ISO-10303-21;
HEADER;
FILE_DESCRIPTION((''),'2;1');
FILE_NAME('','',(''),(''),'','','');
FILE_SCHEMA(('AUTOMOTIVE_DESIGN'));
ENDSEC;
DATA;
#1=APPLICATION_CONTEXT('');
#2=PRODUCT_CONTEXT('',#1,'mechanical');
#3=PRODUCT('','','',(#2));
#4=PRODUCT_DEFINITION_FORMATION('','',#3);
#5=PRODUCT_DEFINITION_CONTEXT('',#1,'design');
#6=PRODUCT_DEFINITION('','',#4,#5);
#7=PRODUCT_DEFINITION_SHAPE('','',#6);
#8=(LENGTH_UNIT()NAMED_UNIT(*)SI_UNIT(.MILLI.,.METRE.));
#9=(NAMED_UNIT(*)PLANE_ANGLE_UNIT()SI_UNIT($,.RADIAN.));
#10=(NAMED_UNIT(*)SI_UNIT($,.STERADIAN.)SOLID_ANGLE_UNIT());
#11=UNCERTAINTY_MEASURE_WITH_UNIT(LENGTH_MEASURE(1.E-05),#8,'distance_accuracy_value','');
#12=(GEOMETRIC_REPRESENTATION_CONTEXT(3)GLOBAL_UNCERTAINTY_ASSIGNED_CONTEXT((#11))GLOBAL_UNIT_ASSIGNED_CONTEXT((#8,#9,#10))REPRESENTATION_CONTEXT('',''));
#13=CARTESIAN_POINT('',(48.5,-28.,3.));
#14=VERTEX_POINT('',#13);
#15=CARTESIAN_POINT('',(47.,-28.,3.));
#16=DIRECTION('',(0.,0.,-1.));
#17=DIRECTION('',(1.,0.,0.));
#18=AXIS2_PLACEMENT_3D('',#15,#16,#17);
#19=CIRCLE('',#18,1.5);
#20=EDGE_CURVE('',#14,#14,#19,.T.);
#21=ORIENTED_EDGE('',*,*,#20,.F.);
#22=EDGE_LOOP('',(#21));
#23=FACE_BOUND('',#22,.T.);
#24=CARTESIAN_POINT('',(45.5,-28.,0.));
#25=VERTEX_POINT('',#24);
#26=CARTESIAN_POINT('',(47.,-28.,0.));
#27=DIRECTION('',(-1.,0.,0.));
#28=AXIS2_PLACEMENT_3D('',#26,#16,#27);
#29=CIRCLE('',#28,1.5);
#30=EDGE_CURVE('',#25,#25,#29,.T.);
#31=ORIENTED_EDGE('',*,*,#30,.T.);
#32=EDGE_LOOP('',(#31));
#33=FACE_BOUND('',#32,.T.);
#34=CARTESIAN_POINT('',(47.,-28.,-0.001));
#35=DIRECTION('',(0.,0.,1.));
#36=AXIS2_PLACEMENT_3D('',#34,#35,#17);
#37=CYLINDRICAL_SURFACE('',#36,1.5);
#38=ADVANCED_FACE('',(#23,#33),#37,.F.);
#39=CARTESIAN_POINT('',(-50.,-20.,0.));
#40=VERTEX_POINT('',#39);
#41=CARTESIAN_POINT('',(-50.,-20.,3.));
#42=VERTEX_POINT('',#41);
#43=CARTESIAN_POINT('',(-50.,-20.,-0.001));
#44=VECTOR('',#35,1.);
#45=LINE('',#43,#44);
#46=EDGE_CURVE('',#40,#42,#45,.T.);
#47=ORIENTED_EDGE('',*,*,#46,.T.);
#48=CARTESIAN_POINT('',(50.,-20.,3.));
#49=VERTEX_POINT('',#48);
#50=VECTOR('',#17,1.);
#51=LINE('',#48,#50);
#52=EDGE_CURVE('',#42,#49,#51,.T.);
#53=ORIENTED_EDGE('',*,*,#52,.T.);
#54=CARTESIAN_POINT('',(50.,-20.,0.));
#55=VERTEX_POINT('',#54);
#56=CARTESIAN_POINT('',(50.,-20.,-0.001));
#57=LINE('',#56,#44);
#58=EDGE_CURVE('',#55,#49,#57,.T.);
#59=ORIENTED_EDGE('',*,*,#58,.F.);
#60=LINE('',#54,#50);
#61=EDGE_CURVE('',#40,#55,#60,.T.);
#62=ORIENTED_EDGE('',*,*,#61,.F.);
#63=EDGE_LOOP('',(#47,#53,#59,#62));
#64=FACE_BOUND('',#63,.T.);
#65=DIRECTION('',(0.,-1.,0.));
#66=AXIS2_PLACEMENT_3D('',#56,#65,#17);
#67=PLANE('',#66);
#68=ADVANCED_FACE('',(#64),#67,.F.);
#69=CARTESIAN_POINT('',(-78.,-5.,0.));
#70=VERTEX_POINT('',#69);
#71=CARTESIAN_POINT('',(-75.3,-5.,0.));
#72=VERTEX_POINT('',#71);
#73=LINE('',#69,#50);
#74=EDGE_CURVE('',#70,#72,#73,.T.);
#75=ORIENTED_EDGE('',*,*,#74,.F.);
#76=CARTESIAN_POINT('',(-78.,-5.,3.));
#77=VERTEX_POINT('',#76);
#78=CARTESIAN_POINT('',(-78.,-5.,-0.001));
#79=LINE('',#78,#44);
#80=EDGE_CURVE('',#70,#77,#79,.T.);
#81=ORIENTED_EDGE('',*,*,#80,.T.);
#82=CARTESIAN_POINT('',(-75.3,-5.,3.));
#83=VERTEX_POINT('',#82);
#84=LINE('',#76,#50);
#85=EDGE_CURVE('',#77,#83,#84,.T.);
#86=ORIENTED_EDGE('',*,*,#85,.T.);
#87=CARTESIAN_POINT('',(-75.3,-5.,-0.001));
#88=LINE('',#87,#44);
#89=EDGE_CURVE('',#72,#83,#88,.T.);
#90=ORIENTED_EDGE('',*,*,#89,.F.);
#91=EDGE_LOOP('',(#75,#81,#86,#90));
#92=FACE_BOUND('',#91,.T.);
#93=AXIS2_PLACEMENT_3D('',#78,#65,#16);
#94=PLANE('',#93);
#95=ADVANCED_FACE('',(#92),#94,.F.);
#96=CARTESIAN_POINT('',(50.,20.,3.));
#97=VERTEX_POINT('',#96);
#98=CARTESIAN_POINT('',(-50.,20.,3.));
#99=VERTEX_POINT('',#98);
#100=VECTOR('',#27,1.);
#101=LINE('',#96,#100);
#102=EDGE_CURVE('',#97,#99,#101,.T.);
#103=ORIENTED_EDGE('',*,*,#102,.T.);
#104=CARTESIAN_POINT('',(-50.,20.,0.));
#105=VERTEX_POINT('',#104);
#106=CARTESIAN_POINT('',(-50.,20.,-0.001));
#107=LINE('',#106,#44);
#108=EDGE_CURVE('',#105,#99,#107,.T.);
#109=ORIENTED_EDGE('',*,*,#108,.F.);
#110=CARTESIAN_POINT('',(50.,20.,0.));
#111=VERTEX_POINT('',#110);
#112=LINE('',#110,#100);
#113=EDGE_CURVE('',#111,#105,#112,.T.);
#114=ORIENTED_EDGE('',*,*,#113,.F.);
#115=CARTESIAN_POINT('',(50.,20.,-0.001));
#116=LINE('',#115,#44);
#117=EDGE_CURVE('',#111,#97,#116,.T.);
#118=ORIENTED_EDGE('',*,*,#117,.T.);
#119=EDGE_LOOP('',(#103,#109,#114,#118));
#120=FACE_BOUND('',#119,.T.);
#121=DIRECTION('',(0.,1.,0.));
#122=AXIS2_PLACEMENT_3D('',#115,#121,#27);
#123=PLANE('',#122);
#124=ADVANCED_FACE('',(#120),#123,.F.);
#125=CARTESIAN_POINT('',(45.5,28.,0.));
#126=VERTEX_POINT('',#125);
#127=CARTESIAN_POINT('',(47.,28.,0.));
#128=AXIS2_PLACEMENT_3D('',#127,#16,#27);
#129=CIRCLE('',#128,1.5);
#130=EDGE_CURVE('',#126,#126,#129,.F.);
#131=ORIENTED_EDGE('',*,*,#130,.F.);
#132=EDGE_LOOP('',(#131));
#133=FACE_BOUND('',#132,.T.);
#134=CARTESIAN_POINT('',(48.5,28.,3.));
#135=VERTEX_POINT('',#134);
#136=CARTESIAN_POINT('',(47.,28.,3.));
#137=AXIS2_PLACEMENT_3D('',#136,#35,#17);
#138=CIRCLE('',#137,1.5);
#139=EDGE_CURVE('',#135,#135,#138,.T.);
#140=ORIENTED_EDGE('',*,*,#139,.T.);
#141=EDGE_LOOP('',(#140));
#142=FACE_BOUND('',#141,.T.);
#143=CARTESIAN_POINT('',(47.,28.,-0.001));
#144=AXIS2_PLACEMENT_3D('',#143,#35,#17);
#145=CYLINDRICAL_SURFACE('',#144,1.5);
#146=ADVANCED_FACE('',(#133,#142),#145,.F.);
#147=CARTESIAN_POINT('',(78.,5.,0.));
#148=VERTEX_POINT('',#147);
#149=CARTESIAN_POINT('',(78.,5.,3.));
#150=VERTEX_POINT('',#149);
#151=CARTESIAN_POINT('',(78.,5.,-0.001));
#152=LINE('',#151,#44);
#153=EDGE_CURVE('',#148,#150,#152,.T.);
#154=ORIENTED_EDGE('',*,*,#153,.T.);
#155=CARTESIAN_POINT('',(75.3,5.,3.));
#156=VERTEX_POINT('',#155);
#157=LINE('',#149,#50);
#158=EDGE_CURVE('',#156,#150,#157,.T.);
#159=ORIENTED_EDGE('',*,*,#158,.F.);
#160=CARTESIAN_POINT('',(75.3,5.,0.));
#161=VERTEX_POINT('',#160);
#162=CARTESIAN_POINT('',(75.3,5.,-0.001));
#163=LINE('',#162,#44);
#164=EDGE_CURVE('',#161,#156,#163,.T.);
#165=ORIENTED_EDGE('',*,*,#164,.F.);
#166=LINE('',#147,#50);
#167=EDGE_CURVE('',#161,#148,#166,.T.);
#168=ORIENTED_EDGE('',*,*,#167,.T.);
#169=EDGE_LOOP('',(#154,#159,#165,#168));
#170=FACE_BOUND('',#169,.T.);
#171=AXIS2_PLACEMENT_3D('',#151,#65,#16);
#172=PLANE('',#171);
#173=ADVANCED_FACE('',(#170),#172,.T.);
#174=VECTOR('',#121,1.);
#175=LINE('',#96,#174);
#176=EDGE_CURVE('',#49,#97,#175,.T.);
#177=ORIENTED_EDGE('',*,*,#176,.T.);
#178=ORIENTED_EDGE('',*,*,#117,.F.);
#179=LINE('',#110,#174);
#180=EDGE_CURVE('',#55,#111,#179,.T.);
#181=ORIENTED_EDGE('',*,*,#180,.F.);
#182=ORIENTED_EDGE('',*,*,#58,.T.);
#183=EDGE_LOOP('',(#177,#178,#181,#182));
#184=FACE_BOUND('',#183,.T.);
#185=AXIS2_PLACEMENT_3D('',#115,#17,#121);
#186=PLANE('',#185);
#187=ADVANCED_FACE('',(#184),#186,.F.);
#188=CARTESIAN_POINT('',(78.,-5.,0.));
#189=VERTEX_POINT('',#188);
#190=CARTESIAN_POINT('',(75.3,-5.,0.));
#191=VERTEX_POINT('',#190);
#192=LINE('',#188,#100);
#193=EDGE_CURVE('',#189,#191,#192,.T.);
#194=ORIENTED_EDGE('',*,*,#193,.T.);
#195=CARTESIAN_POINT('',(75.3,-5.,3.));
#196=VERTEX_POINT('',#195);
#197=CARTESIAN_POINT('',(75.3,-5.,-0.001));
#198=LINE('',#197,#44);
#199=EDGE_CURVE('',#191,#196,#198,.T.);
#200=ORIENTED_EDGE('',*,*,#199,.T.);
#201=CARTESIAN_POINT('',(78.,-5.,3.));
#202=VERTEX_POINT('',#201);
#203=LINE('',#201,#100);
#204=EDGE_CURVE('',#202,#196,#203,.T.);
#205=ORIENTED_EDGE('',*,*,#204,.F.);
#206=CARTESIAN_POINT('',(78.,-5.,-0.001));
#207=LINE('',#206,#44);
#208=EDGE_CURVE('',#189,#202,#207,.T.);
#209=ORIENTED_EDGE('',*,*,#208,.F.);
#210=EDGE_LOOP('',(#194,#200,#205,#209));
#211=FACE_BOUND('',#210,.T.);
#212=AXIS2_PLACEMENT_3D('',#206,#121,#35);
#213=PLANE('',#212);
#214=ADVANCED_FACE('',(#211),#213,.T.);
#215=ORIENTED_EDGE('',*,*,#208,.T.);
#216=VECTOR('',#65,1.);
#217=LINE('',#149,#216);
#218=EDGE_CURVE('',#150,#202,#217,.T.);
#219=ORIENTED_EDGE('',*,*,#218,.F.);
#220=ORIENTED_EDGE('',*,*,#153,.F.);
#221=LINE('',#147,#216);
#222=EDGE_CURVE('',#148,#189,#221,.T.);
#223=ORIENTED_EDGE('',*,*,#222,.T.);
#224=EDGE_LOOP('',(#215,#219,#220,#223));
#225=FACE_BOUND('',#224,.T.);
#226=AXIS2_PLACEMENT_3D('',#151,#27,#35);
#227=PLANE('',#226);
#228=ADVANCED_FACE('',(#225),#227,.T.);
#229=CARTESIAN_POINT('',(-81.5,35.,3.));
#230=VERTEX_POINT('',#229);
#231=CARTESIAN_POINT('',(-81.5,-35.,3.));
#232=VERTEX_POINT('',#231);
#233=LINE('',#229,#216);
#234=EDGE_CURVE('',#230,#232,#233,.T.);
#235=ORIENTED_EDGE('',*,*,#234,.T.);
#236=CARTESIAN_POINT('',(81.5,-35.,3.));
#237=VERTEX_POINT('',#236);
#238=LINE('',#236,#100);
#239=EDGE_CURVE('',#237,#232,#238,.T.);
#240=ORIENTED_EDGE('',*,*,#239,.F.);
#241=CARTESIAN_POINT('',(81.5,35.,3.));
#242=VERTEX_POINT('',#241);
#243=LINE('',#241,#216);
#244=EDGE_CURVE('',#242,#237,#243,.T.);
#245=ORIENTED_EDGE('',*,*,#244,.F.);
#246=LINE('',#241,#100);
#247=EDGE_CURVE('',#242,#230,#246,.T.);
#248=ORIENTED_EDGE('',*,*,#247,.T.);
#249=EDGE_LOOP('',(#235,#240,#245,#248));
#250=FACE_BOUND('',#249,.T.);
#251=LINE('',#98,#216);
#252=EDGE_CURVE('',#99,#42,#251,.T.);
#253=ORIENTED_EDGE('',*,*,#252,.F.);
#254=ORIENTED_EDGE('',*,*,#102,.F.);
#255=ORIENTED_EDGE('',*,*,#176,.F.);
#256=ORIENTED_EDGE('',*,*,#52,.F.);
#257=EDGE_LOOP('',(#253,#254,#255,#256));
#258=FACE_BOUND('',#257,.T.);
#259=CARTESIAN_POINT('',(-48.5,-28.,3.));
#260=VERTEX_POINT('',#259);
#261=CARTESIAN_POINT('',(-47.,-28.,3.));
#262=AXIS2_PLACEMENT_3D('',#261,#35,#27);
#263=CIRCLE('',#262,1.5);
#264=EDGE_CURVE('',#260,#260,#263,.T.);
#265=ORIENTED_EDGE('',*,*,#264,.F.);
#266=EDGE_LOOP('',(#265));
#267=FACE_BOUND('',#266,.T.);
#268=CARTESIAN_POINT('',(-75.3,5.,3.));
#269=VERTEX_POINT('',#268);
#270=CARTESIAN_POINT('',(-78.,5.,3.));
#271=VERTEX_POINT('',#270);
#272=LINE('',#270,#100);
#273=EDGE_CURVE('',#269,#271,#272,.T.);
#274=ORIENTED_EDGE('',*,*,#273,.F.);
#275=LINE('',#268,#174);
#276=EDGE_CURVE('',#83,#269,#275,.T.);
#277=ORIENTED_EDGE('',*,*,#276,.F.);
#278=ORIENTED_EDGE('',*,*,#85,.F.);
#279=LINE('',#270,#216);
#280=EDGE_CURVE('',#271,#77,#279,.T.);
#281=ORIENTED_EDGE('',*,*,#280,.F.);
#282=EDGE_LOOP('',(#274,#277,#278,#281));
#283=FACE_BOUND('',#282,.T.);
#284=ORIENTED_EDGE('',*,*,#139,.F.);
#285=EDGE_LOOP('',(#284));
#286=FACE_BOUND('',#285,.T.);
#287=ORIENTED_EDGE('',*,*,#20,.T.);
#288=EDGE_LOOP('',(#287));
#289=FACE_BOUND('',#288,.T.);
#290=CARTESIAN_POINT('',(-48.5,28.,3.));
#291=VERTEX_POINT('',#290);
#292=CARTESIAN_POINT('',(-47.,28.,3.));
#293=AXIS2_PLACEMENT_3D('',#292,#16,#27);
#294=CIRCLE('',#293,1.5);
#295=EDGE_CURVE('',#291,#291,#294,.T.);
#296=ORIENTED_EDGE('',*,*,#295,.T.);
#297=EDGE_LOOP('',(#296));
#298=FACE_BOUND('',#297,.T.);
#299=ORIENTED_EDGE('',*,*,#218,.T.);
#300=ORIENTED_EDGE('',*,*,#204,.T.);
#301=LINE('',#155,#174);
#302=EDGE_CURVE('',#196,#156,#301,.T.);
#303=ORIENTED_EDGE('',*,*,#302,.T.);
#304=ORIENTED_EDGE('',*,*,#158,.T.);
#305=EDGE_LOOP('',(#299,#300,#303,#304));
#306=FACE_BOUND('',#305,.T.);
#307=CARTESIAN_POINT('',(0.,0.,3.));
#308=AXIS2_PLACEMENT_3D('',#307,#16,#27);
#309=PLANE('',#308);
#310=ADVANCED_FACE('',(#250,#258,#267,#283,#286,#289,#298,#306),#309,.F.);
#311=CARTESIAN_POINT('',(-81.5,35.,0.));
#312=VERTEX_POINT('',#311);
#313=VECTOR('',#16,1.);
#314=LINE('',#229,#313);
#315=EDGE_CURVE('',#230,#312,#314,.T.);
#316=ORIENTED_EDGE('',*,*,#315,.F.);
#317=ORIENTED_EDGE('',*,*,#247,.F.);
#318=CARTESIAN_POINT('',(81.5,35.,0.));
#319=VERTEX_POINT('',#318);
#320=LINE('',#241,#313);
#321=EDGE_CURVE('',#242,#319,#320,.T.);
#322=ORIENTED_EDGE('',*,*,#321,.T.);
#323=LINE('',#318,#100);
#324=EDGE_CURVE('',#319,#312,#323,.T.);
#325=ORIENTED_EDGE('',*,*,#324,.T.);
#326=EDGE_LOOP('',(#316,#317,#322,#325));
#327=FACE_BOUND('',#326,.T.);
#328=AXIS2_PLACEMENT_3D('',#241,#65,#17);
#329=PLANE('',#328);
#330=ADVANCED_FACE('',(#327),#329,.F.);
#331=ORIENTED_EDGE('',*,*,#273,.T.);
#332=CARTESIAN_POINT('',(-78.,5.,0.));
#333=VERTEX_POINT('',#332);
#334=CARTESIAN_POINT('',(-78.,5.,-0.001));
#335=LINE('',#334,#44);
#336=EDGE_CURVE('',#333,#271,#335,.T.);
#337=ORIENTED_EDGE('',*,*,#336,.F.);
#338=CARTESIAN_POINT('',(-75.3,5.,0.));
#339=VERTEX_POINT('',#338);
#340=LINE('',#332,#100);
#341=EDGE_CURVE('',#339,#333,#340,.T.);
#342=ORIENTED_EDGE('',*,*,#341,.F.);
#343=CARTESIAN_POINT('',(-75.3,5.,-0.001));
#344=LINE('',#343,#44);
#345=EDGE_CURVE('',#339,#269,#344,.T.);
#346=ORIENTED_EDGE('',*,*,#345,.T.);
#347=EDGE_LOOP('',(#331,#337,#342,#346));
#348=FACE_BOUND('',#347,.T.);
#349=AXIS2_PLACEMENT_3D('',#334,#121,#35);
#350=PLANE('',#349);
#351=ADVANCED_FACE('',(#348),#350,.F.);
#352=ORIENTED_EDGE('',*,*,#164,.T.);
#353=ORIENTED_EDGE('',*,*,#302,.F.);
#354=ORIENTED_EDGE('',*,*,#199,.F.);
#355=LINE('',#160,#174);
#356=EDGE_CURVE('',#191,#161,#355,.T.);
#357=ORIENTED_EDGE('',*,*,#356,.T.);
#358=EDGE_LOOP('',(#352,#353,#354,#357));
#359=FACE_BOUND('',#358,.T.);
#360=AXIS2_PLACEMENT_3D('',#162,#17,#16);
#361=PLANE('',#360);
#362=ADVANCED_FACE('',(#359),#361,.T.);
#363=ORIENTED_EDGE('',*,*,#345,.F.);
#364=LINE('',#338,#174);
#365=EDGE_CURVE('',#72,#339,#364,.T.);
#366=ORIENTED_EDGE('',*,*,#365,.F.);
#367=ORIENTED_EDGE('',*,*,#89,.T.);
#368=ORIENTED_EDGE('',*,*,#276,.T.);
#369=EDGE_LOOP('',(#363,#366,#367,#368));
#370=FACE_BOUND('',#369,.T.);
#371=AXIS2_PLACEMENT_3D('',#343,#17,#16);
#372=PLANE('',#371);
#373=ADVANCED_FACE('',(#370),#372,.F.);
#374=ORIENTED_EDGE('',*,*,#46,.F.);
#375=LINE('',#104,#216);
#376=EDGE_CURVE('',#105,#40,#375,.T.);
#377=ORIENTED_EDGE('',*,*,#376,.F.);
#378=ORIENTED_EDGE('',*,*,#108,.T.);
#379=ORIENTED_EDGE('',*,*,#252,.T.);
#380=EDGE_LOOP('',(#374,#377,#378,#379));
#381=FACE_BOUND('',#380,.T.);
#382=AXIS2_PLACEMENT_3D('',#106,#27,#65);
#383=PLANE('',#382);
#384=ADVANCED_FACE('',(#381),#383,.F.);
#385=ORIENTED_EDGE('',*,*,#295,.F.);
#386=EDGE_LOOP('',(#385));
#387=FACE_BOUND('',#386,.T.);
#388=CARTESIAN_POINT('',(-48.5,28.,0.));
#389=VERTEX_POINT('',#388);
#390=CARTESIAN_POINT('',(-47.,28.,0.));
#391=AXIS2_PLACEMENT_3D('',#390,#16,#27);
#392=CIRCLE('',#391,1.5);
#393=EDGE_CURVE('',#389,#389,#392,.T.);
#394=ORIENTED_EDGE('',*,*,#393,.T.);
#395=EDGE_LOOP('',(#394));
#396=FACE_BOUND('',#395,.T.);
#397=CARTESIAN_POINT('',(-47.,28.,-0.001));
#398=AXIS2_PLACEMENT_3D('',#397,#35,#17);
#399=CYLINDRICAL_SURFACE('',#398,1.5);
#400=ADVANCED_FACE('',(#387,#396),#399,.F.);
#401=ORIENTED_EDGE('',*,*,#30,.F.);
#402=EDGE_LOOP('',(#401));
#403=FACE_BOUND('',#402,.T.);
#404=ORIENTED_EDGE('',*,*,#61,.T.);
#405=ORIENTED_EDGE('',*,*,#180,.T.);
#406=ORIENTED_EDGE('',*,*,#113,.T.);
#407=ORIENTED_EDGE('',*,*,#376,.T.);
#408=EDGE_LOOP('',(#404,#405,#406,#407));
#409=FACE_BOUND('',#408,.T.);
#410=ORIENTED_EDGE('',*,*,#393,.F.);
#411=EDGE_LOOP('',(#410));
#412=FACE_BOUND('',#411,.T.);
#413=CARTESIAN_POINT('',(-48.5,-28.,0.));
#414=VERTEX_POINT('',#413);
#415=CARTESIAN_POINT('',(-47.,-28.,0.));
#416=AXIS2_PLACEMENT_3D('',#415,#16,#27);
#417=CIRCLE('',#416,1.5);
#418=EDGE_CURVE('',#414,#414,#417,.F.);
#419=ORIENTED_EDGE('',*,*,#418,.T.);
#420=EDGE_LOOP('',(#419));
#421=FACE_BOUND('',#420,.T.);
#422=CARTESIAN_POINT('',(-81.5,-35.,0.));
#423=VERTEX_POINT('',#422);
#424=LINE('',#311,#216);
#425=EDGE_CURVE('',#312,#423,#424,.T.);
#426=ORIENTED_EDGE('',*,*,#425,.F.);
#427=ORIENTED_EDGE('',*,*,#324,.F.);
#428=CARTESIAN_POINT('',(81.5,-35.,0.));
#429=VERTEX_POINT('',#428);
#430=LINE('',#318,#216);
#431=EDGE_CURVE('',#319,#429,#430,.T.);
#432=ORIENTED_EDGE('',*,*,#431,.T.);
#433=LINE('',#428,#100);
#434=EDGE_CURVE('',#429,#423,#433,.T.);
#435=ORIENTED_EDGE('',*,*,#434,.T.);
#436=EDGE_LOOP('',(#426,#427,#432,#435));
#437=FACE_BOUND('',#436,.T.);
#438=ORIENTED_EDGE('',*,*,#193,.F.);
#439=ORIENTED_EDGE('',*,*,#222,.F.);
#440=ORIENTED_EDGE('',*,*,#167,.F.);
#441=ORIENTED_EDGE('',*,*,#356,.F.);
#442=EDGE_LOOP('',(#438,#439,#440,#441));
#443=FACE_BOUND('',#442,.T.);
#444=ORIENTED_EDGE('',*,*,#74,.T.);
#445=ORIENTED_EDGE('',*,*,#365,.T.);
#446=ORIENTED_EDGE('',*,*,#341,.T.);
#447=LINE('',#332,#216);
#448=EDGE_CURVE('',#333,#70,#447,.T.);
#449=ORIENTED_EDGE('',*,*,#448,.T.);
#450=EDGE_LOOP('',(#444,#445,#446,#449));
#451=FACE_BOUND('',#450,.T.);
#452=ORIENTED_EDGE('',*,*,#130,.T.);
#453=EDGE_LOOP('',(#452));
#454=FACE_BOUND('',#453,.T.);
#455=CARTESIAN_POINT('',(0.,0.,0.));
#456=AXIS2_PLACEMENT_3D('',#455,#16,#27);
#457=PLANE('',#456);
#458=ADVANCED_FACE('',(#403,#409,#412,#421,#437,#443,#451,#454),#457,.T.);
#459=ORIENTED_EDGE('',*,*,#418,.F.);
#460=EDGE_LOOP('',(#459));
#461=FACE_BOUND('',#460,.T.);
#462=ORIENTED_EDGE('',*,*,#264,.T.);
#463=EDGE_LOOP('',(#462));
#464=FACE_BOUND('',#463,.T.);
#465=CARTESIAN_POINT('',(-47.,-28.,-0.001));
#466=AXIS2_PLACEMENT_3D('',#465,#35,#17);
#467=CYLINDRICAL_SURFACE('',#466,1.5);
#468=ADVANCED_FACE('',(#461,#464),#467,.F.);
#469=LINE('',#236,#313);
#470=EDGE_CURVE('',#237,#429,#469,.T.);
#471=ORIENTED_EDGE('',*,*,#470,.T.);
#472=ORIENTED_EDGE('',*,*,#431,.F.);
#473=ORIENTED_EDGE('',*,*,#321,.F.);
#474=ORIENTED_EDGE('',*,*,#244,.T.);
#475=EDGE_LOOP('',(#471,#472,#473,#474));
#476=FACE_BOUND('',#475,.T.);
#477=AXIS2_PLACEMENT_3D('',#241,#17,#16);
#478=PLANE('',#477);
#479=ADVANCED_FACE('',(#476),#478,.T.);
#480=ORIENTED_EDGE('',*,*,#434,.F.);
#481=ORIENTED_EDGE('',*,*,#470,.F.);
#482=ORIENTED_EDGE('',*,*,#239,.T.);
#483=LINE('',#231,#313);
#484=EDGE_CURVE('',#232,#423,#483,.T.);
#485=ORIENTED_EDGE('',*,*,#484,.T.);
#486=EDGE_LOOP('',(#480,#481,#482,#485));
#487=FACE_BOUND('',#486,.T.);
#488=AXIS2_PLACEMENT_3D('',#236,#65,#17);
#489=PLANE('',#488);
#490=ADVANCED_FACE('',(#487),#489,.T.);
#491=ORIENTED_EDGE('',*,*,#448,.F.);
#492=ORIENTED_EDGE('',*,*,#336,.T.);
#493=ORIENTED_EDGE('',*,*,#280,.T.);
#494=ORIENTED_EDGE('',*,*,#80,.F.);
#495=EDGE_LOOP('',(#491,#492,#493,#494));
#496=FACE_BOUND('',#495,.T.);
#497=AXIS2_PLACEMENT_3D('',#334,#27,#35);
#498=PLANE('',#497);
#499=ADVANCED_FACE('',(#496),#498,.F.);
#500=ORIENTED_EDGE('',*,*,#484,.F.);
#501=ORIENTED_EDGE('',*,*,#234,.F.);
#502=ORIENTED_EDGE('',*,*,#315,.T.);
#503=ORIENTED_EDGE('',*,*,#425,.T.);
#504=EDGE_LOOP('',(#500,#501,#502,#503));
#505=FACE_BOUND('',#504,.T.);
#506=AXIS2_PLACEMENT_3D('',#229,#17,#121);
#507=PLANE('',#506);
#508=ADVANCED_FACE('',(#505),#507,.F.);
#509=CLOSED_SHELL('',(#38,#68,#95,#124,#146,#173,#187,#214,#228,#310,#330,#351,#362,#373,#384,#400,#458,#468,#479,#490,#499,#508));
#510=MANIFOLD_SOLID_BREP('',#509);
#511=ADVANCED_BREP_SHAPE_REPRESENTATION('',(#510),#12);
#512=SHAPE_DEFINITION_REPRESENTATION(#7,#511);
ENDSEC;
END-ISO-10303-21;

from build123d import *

# Parameters (mm, degrees)
SKETCH1_W               = 163
SKETCH1_H               = 70
BOSS_EXTRUDE1_DEPTH     = 3
SKETCH2_W               = 2.7
SKETCH2_H               = 10
CUT_EXTRUDE1_DEPTH      = 3
CUT_EXTRUDE2_REACH      = 5
SKETCH3_W               = 100
SKETCH3_H               = 40
SKETCH4_R               = 1.5
CUT_EXTRUDE3_DEPTH      = 3
MIRROR3_COPY_1_SKETCH_R = 1.5
MIRROR3_COPY_1_DEPTH    = 3


with BuildPart() as part:
    # Sketch1 → Boss-Extrude1 (new body)
    with BuildSketch(Plane.XY):
        Rectangle(SKETCH1_W, SKETCH1_H)
    extrude(amount=BOSS_EXTRUDE1_DEPTH)

    # Sketch2 → Cut-Extrude1 (cut)
    with BuildSketch(Plane.XY.offset(3)):
        with Locations((-76.65, 0)):
            Rectangle(SKETCH2_W, SKETCH2_H)
    cut_extrude1 = extrude(amount=-CUT_EXTRUDE1_DEPTH, mode=Mode.SUBTRACT)

    # Mirror1: Cut-Extrude1 across plane
    add(cut_extrude1.mirror(Plane(origin=(0, 0, 0), x_dir=(0, 0, 1), z_dir=(1, 0, 0))), mode=Mode.SUBTRACT)

    # Sketch3 → Cut-Extrude2 (cut, up to next)
    with BuildSketch(Plane.XY.offset(3), mode=Mode.PRIVATE) as cut_extrude2_sk1:
        Rectangle(SKETCH3_W, SKETCH3_H)
    cut_extrude2_tool1 = extrude(cut_extrude2_sk1.sketch, amount=-CUT_EXTRUDE2_REACH, mode=Mode.PRIVATE) & part.part
    add(cut_extrude2_tool1.solids().sort_by_distance((0, 0, 3))[0], mode=Mode.SUBTRACT)

    # Sketch4 → Cut-Extrude3 (cut)
    with BuildSketch(Plane.XY.offset(3)):
        with Locations((47, 28)):
            Circle(SKETCH4_R)
    cut_extrude3 = extrude(amount=-CUT_EXTRUDE3_DEPTH, mode=Mode.SUBTRACT)

    # Mirror2: Cut-Extrude3 across plane
    add(cut_extrude3.mirror(Plane(origin=(0, 0, 0), x_dir=(0, 0, 1), z_dir=(1, 0, 0))), mode=Mode.SUBTRACT)

    # Mirror3: Cut-Extrude3 across plane
    add(cut_extrude3.mirror(Plane.ZX), mode=Mode.SUBTRACT)

    # Mirror3 copy 1 sketch → Mirror3 copy 1 (cut)
    with BuildSketch(Plane(origin=(0, 0, 3), x_dir=(-1, 0, 0), z_dir=(0, 0, 1))):
        with Locations((47, 28)):
            Circle(MIRROR3_COPY_1_SKETCH_R)
    extrude(amount=-MIRROR3_COPY_1_DEPTH, mode=Mode.SUBTRACT)


solid = part.part
